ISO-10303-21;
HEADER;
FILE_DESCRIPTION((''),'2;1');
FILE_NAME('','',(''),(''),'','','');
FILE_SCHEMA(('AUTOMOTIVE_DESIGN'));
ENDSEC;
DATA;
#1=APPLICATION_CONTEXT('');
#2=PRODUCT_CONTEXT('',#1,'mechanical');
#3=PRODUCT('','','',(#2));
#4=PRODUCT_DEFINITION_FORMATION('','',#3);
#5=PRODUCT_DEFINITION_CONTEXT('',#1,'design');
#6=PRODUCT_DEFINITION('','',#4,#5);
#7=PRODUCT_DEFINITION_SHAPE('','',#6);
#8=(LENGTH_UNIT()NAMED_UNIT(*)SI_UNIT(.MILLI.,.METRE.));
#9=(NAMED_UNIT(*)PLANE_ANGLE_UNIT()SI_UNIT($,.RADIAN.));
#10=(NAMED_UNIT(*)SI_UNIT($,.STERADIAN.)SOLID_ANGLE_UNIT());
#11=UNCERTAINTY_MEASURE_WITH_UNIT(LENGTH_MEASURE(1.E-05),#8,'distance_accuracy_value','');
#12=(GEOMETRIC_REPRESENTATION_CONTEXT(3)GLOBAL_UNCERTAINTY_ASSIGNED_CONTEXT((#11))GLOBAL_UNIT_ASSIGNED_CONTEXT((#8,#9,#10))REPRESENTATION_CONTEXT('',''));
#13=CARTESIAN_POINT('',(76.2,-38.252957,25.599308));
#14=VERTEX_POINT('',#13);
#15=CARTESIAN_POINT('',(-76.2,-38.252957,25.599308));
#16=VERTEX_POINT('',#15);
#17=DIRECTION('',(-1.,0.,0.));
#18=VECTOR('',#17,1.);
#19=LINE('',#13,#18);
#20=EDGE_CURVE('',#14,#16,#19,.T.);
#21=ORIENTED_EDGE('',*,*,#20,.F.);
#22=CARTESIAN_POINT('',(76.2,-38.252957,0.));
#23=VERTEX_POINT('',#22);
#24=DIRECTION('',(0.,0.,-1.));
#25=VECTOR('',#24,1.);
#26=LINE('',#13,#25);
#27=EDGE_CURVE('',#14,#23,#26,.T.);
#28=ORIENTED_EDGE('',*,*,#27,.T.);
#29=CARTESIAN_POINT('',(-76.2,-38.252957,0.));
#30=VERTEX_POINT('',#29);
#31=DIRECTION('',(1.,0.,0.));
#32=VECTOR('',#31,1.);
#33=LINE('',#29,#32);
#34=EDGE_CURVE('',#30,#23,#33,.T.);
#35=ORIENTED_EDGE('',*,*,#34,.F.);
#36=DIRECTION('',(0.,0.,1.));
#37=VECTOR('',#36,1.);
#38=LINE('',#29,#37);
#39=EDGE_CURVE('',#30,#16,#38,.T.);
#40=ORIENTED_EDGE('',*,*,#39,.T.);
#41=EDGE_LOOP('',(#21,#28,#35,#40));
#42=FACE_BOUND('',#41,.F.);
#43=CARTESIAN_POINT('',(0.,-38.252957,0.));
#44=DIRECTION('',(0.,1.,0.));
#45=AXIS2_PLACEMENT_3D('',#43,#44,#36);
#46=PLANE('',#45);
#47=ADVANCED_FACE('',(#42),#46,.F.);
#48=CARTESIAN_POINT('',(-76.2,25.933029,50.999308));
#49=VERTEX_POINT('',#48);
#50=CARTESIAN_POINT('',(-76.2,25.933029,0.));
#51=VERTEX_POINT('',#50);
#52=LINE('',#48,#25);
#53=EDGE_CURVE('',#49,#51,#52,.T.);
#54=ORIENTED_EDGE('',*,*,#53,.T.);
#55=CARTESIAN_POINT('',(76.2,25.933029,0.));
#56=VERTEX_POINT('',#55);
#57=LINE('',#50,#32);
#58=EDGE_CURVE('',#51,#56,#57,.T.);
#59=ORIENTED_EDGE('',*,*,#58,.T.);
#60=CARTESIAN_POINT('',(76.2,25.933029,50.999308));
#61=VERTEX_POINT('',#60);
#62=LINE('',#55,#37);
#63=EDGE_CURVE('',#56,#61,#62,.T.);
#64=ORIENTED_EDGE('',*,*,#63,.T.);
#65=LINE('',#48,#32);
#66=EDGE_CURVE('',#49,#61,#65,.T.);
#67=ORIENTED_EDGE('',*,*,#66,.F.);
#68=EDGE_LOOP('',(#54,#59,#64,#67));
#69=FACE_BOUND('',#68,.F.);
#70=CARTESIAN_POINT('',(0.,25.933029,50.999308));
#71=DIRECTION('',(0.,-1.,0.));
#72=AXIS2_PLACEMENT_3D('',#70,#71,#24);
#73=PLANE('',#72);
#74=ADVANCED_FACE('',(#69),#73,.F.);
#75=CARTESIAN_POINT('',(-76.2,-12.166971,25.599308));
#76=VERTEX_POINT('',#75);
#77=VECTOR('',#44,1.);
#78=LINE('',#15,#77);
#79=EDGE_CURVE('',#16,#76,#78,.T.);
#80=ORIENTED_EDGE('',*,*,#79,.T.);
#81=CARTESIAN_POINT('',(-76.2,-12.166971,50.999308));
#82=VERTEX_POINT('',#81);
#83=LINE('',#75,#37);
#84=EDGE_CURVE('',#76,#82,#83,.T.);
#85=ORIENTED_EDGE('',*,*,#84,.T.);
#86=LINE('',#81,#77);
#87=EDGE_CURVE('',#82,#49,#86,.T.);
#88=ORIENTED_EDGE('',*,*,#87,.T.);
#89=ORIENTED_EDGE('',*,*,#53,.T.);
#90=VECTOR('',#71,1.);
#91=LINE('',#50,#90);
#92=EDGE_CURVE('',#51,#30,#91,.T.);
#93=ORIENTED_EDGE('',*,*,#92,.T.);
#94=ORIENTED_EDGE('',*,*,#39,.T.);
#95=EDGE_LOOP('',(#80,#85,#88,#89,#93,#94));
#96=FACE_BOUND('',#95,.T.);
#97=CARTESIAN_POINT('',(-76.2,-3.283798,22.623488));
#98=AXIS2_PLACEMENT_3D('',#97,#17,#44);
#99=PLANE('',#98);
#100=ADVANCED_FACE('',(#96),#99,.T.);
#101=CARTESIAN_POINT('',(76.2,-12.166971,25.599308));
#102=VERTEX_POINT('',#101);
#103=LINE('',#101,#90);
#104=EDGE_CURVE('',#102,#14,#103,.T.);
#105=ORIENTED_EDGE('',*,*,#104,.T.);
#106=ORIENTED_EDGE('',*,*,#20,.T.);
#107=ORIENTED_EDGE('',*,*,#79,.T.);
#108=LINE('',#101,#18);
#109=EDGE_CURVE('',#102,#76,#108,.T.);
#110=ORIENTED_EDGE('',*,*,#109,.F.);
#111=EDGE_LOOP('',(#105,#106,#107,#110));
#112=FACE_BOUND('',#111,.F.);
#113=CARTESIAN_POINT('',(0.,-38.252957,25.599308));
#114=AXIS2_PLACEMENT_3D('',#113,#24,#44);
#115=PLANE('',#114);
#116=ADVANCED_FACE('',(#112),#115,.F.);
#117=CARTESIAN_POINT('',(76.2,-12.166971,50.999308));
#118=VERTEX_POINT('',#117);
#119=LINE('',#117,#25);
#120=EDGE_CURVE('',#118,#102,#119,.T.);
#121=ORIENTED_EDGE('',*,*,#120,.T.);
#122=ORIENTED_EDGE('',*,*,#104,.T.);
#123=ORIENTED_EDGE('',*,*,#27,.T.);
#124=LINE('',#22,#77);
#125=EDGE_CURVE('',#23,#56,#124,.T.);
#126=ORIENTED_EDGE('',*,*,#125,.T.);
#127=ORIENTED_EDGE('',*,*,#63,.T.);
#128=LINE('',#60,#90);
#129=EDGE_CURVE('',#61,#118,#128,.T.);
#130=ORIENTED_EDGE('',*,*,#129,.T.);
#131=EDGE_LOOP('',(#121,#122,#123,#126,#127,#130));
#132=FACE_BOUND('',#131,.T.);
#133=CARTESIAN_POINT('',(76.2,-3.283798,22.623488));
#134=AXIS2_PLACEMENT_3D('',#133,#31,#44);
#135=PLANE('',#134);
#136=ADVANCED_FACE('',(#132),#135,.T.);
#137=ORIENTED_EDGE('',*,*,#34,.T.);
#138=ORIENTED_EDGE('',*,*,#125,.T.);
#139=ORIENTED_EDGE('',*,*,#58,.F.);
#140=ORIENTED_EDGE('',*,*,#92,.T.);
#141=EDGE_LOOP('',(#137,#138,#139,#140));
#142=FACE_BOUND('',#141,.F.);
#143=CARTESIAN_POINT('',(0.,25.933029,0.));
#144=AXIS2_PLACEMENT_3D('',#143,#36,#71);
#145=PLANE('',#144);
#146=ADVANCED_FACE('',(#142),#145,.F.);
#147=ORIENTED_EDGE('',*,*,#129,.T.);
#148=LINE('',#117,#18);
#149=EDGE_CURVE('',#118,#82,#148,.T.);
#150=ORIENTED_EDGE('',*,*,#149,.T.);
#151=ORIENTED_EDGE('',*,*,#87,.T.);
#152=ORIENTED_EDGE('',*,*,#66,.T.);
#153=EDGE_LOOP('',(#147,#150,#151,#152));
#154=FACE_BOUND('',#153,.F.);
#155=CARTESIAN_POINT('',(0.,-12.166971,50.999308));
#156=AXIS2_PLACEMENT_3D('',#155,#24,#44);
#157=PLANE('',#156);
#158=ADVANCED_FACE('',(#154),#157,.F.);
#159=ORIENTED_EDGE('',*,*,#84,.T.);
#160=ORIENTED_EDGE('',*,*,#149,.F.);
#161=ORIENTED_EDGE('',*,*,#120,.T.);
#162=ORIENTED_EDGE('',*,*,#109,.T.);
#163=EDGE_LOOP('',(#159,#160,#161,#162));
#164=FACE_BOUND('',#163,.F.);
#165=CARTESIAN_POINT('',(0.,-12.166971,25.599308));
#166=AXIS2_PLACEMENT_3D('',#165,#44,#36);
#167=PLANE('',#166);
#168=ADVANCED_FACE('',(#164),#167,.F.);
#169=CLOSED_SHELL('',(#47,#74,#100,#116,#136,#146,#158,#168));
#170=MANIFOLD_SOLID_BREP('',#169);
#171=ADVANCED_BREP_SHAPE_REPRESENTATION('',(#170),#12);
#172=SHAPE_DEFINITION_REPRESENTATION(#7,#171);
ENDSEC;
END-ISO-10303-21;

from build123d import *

# Parameters (mm, degrees)
F1_DEPTH = 76.2
F2_DEPTH = 76.2


with BuildPart() as f1:
    # F0 (on Right) → F1 (new body)
    with BuildSketch(Plane.YZ):
        Polygon((-38.252957, 0), (0, 0), (25.933029, 0), (25.933029, 50.999308), (-12.166971, 50.999308), (-12.166971, 25.599308), (-38.252957, 25.599308), align=None)
    extrude(amount=F1_DEPTH)

    # F1_face (on face) → F2 (join)
    with BuildSketch(Plane(origin=(0, -1.325449, 22.251354), x_dir=(0, 1, 0), z_dir=(-1, 0, 0))):
        Polygon((-36.927508, 22.251354), (-36.927508, -3.347954), (-10.841522, -3.347954), (-10.841522, -28.747954), (27.258478, -28.747954), (27.258478, 22.251354), align=None)
    extrude(amount=F2_DEPTH)


solid = f1.part
